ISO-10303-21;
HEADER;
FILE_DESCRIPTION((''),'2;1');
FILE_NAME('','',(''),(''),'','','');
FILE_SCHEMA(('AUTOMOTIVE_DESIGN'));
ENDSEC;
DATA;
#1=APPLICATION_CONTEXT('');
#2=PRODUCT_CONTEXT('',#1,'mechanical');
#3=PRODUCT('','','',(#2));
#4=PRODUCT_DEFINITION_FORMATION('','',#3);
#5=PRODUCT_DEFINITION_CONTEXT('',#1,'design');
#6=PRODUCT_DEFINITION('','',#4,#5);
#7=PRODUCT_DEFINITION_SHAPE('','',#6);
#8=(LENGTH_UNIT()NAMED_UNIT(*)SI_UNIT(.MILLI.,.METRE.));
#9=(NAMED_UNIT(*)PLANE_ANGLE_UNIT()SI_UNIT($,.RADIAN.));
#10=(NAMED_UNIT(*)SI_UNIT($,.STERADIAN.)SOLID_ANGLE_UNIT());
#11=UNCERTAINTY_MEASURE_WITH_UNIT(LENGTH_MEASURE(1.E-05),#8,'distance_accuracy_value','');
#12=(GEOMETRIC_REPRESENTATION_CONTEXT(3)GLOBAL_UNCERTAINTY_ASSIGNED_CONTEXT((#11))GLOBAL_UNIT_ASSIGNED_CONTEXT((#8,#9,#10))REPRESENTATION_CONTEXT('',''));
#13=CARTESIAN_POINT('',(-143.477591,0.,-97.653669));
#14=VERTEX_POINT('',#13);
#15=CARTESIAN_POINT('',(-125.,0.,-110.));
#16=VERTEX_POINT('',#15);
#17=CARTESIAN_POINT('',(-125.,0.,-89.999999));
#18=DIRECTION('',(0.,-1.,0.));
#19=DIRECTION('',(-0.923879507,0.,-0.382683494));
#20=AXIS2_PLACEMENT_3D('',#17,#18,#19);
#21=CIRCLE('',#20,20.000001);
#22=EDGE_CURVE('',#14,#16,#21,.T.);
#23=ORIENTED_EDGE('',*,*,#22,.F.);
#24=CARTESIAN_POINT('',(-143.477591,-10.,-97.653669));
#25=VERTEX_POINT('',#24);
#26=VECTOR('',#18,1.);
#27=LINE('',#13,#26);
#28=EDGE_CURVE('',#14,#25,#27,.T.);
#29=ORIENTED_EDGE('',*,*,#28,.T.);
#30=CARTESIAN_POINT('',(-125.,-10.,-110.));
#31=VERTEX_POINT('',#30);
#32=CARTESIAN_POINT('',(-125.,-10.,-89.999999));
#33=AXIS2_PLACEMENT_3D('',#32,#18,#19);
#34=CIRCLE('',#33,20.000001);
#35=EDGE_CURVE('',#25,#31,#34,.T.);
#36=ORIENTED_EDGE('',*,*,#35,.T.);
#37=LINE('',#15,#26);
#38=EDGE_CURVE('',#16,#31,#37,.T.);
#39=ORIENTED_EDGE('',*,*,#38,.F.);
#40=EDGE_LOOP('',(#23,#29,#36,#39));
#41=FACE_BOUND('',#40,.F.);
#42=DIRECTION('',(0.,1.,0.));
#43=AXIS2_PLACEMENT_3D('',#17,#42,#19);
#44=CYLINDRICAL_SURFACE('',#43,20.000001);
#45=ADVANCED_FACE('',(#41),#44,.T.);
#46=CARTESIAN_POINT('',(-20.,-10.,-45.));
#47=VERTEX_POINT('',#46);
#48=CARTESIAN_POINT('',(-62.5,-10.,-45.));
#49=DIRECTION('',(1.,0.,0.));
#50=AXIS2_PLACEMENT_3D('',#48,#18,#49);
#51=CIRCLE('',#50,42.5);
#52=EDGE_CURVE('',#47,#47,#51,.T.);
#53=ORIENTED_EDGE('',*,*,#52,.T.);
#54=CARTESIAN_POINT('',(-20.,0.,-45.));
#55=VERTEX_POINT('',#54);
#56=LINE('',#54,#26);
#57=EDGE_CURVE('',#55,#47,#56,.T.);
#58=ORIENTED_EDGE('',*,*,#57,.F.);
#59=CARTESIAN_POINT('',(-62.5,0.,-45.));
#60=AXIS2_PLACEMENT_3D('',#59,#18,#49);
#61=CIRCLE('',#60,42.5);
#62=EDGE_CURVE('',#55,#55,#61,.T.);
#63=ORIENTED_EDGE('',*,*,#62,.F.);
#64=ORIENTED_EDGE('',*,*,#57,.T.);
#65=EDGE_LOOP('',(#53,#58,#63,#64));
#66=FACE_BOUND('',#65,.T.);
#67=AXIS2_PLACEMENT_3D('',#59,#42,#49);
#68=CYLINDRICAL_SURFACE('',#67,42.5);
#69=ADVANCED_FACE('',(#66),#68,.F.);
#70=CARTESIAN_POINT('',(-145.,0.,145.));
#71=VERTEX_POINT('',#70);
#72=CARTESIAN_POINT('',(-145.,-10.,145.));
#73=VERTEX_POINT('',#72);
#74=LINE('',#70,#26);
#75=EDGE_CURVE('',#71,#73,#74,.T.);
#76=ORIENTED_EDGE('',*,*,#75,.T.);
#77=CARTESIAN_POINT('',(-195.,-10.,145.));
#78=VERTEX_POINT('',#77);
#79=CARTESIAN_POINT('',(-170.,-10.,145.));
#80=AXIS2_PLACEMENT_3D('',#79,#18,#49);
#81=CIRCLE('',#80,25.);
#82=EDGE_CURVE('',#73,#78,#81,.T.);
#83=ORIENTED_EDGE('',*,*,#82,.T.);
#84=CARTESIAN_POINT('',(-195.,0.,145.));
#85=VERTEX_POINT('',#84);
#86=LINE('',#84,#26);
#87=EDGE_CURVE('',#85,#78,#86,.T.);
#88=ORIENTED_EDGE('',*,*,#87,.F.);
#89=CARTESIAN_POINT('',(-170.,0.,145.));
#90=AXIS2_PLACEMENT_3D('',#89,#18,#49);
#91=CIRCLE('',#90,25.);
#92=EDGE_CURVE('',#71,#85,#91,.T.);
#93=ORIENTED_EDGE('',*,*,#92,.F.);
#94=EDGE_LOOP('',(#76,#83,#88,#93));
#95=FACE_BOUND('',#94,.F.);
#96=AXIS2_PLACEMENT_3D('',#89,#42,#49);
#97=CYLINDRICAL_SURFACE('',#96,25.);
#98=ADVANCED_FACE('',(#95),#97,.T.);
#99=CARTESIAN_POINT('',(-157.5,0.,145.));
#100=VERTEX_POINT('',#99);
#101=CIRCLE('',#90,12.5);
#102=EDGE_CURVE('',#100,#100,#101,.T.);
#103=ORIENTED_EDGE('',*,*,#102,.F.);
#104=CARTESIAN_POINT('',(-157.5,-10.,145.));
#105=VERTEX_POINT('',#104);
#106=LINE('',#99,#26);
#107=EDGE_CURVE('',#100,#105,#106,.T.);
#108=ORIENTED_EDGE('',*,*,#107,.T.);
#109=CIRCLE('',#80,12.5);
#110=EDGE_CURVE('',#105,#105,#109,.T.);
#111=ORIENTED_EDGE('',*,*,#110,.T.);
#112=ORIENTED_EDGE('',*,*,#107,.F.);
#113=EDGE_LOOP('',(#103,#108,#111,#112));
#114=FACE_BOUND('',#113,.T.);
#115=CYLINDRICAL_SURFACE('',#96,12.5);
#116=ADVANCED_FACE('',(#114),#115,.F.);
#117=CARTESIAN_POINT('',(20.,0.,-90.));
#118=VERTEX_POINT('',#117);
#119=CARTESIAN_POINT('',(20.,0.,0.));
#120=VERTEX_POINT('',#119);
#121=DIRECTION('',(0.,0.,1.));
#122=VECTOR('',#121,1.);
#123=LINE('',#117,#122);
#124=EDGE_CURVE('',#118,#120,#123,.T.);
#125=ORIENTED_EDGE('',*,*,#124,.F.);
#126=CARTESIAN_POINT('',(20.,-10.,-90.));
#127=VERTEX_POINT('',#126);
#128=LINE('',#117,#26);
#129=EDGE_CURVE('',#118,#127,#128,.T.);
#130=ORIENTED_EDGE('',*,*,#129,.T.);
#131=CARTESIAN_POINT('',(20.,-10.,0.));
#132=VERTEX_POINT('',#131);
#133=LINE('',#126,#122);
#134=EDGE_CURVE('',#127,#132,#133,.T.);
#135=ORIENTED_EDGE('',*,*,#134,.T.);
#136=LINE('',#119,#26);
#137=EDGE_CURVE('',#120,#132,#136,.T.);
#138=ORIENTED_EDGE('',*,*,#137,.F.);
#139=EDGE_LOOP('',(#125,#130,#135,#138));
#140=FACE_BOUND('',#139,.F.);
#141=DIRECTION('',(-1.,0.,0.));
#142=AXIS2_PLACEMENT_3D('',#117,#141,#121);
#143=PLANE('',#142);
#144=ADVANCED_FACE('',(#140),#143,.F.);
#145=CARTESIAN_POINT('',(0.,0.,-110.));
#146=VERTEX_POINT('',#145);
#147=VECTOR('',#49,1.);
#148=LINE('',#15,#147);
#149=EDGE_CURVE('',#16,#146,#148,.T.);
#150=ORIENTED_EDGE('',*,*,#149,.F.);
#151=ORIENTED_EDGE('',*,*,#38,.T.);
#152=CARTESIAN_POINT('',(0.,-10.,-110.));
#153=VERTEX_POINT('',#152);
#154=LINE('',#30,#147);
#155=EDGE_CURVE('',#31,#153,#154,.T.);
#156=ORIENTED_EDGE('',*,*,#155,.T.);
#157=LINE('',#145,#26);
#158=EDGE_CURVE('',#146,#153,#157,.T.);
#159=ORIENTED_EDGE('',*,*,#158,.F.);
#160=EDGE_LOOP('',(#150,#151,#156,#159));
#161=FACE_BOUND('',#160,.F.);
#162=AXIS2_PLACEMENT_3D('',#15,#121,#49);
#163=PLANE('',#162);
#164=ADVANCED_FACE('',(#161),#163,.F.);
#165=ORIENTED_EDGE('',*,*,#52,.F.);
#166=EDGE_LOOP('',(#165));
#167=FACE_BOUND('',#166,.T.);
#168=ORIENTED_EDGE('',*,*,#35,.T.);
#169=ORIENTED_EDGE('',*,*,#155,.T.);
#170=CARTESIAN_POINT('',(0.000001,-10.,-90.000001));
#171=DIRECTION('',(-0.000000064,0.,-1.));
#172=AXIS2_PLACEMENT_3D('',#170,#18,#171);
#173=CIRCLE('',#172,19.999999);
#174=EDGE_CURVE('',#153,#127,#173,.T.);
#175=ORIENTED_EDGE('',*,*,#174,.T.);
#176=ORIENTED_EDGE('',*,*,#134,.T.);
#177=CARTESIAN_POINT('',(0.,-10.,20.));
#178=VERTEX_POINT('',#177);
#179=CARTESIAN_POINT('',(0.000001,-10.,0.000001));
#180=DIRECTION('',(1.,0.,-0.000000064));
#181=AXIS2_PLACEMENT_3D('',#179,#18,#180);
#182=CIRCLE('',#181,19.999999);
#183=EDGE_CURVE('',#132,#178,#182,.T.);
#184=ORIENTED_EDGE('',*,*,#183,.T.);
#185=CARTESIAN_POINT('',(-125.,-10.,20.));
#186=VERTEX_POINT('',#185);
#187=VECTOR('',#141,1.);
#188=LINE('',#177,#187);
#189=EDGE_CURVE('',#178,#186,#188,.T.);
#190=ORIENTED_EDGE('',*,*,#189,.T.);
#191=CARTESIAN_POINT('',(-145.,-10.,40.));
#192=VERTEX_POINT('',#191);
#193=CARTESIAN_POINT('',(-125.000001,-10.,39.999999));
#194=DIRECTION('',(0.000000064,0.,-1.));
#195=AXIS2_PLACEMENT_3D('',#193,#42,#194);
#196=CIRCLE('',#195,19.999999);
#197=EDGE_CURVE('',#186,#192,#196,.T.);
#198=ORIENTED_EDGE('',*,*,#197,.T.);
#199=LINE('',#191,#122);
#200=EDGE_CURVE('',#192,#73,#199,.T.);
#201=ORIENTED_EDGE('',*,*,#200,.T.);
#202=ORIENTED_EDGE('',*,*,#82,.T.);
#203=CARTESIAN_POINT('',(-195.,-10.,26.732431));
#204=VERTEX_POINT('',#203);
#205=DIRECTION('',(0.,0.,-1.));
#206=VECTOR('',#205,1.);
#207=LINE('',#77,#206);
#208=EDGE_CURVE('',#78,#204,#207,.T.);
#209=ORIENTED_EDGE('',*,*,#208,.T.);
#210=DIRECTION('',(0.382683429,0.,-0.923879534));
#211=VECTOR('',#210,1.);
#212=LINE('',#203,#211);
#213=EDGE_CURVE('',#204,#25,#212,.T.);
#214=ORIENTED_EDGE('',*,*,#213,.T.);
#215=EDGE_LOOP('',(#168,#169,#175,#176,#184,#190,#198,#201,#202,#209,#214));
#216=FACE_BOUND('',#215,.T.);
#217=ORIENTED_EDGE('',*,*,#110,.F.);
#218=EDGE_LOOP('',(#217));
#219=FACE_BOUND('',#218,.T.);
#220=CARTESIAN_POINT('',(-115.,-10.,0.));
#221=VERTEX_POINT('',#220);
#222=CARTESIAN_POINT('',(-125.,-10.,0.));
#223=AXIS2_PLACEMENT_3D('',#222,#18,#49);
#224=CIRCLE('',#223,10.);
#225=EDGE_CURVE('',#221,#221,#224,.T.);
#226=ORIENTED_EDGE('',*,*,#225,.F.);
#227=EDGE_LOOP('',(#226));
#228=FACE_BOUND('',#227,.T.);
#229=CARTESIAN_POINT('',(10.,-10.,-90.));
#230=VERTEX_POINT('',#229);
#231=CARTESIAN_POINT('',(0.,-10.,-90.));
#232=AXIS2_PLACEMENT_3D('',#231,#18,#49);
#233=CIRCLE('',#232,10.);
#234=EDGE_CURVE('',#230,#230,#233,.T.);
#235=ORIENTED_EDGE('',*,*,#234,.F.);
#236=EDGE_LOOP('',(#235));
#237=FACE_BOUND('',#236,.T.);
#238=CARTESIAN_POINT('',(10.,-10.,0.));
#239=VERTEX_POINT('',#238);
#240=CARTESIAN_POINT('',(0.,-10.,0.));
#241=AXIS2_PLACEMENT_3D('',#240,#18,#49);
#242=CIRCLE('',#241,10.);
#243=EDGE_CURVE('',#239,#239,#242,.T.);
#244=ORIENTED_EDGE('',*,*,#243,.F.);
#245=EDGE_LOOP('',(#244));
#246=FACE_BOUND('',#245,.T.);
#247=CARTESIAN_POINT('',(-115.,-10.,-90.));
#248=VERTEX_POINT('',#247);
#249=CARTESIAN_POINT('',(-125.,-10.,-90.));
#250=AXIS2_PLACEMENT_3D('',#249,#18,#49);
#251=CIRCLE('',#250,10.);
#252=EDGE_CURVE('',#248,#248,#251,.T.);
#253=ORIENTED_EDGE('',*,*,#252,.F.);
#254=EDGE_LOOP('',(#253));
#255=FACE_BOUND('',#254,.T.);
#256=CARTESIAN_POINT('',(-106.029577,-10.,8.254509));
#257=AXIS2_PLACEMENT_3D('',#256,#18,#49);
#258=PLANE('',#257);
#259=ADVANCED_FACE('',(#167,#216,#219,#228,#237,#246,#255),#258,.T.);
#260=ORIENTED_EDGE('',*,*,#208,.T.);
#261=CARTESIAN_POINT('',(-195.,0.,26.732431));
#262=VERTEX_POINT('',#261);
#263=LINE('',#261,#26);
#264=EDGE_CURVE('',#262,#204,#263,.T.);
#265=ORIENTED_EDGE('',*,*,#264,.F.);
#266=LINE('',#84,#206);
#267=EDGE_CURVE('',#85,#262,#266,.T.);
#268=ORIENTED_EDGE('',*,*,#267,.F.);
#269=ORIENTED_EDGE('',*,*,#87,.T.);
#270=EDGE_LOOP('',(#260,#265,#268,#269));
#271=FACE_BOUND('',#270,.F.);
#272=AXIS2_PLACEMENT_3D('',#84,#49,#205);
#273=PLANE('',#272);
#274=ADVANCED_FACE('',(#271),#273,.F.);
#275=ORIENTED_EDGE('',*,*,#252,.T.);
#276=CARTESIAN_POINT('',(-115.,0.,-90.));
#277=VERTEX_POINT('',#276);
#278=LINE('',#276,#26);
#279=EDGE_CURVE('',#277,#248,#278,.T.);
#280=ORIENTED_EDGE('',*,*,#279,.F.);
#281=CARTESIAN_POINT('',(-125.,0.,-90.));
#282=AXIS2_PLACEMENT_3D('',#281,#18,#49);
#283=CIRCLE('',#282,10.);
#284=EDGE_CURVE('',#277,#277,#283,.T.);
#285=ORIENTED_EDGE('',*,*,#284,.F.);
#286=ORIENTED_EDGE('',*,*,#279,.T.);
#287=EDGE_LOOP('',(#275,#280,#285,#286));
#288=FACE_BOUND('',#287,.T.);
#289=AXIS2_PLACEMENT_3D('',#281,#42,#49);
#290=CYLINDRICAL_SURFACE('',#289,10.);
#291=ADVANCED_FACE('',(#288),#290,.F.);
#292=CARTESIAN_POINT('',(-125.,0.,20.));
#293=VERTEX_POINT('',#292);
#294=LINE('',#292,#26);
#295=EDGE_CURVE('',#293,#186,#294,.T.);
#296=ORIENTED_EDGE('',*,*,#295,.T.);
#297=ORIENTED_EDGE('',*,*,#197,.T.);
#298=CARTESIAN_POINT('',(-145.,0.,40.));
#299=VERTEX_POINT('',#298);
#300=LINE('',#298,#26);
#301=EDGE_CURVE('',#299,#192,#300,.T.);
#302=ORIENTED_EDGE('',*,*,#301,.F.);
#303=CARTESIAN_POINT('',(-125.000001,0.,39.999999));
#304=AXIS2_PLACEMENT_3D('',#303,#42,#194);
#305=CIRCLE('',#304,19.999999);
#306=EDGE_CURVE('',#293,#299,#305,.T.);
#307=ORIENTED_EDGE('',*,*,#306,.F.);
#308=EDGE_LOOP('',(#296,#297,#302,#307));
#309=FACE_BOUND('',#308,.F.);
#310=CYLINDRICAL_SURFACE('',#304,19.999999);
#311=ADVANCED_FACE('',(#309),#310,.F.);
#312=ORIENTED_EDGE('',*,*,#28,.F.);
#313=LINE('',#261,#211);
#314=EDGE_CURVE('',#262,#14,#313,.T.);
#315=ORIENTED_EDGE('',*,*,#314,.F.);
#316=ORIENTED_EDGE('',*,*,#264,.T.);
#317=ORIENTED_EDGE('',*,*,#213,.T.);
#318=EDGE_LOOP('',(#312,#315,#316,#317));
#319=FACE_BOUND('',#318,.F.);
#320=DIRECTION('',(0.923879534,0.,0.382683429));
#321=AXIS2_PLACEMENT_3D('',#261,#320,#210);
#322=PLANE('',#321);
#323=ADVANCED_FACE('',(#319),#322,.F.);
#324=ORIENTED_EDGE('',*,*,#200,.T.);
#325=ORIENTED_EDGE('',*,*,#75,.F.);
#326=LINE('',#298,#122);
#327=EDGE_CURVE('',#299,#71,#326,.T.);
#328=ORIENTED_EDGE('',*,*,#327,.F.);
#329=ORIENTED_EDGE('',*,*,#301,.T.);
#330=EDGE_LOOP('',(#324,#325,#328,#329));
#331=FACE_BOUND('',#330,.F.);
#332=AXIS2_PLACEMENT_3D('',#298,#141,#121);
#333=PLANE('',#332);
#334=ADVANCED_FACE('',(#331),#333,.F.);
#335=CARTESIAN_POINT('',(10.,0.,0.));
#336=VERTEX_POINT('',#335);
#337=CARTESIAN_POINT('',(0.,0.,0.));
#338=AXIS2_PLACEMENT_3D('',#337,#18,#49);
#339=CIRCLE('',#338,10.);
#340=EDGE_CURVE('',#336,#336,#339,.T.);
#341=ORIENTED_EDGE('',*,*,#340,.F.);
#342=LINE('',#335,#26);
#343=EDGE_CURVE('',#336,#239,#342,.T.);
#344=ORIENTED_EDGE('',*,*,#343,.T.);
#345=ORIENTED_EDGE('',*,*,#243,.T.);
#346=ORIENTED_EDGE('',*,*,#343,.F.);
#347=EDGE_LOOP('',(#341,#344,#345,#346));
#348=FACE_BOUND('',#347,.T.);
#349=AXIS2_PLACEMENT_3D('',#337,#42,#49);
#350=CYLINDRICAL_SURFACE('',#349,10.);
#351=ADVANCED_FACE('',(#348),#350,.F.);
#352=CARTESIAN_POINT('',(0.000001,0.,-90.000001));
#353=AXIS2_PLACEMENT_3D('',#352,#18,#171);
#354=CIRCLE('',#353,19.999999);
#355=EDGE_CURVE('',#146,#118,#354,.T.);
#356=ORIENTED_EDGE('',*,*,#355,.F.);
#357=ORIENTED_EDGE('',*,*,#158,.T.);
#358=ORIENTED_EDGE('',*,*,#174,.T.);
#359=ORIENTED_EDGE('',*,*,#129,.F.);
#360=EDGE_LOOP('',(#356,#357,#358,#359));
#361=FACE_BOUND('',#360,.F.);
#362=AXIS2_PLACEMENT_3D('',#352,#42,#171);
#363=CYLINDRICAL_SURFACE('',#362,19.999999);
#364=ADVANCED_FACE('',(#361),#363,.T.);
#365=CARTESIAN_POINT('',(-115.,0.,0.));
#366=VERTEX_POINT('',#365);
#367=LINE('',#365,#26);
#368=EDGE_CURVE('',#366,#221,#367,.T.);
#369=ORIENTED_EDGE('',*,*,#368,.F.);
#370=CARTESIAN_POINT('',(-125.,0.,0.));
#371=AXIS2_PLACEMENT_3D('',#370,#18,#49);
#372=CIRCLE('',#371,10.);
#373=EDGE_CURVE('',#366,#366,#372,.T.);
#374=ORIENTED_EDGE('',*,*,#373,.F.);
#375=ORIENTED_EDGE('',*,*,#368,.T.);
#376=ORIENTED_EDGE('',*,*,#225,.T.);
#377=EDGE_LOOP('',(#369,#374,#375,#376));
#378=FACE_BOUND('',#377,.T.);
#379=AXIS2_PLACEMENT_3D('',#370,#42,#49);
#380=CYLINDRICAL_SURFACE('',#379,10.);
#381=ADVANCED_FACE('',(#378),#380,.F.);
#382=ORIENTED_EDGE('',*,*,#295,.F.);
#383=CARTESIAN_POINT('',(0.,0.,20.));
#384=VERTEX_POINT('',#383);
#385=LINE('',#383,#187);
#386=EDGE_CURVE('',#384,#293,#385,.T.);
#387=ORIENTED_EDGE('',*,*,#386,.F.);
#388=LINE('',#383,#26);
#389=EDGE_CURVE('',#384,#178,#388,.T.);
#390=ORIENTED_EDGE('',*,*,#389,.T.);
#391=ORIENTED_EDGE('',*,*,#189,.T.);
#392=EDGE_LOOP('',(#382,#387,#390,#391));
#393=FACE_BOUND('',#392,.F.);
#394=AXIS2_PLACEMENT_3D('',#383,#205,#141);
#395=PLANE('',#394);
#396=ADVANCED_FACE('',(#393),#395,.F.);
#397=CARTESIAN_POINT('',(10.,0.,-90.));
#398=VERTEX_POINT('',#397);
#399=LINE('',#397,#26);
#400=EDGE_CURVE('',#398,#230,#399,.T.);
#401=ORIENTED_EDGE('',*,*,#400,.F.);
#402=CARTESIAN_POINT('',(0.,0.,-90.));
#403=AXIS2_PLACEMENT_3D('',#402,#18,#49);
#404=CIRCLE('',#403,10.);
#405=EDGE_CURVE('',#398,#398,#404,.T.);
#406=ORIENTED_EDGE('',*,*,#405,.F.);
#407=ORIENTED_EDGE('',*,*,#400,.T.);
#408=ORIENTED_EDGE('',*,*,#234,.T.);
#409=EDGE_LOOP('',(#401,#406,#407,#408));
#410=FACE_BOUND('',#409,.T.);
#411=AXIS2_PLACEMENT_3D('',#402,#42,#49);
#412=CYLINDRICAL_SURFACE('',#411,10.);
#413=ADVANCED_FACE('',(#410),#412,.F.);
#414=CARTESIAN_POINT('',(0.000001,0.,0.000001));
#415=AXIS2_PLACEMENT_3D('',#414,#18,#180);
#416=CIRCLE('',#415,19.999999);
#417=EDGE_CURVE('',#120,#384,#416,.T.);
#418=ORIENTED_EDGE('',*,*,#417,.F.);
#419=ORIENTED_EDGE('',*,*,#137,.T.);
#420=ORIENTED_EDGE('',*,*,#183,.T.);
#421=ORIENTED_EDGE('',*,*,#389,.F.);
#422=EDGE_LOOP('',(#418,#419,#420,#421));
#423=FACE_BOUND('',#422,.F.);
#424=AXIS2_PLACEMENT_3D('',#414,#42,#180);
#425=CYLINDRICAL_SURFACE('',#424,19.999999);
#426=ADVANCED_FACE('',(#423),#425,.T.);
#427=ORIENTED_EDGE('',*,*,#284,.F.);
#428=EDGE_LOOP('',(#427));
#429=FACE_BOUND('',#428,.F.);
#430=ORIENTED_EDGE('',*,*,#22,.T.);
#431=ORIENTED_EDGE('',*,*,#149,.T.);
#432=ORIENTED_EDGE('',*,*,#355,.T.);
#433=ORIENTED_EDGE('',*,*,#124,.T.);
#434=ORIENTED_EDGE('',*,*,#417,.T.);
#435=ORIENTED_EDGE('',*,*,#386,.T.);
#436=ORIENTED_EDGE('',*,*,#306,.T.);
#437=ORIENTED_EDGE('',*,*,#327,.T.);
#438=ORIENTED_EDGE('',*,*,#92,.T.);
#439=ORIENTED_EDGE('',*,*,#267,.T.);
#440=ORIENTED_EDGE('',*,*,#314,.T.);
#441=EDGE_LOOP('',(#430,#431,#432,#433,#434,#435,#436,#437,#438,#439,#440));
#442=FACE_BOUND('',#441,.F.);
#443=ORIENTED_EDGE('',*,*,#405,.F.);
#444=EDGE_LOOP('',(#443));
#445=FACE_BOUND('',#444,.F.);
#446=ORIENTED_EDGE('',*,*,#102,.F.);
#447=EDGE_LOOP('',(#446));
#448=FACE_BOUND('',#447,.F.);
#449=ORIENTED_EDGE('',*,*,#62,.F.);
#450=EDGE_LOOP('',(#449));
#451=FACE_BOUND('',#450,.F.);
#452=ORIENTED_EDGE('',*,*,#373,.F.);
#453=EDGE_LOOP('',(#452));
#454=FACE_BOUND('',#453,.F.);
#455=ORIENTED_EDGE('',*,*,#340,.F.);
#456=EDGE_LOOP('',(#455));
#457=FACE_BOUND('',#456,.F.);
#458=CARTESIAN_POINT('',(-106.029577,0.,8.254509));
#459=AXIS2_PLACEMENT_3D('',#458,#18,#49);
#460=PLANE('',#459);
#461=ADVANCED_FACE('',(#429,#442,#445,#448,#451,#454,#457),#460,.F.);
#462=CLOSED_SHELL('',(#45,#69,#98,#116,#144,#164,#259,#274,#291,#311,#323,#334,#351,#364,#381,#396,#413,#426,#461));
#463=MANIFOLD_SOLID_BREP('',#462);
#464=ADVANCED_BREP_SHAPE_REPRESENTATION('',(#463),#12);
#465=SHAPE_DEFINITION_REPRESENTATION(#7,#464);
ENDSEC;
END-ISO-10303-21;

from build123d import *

# Parameters (mm, degrees)
F0_R     = 10
F0_R_2   = 42.5
F0_R_3   = 12.5
F1_DEPTH = 10


with BuildPart() as f1:
    # F0 (on Front) → F1 (new body)
    with BuildSketch(Plane.XZ):
        with BuildLine():
            ThreePointArc((20, 0), (14.142136, 14.142136), (0, 20))
            Line((0, 20), (-125, 20))
            ThreePointArc((-125, 20), (-139.142136, 25.857864), (-145, 40))
            Line((-145, 40), (-145, 145))
            ThreePointArc((-145, 145), (-170, 170), (-195, 145))
            Line((-195, 145), (-195, 26.732431))
            Line((-195, 26.732431), (-143.477591, -97.653669))
            ThreePointArc((-143.477591, -97.653669), (-136.111405, -106.629392), (-125, -110))
            Line((-125, -110), (0, -110))
            ThreePointArc((0, -110), (14.142136, -104.142136), (20, -90))
            Line((20, -90), (20, 0))
        make_face()
        with Locations((-125, -90)):
            Circle(F0_R, mode=Mode.SUBTRACT)
        with Locations((-125, 0)):
            Circle(F0_R, mode=Mode.SUBTRACT)
        with Locations((-62.5, -45)):
            Circle(F0_R_2, mode=Mode.SUBTRACT)
        with Locations((0, -90)):
            Circle(F0_R, mode=Mode.SUBTRACT)
        Circle(F0_R, mode=Mode.SUBTRACT)
        with Locations((-170, 145)):
            Circle(F0_R_3, mode=Mode.SUBTRACT)
    extrude(amount=F1_DEPTH)


solid = f1.part
